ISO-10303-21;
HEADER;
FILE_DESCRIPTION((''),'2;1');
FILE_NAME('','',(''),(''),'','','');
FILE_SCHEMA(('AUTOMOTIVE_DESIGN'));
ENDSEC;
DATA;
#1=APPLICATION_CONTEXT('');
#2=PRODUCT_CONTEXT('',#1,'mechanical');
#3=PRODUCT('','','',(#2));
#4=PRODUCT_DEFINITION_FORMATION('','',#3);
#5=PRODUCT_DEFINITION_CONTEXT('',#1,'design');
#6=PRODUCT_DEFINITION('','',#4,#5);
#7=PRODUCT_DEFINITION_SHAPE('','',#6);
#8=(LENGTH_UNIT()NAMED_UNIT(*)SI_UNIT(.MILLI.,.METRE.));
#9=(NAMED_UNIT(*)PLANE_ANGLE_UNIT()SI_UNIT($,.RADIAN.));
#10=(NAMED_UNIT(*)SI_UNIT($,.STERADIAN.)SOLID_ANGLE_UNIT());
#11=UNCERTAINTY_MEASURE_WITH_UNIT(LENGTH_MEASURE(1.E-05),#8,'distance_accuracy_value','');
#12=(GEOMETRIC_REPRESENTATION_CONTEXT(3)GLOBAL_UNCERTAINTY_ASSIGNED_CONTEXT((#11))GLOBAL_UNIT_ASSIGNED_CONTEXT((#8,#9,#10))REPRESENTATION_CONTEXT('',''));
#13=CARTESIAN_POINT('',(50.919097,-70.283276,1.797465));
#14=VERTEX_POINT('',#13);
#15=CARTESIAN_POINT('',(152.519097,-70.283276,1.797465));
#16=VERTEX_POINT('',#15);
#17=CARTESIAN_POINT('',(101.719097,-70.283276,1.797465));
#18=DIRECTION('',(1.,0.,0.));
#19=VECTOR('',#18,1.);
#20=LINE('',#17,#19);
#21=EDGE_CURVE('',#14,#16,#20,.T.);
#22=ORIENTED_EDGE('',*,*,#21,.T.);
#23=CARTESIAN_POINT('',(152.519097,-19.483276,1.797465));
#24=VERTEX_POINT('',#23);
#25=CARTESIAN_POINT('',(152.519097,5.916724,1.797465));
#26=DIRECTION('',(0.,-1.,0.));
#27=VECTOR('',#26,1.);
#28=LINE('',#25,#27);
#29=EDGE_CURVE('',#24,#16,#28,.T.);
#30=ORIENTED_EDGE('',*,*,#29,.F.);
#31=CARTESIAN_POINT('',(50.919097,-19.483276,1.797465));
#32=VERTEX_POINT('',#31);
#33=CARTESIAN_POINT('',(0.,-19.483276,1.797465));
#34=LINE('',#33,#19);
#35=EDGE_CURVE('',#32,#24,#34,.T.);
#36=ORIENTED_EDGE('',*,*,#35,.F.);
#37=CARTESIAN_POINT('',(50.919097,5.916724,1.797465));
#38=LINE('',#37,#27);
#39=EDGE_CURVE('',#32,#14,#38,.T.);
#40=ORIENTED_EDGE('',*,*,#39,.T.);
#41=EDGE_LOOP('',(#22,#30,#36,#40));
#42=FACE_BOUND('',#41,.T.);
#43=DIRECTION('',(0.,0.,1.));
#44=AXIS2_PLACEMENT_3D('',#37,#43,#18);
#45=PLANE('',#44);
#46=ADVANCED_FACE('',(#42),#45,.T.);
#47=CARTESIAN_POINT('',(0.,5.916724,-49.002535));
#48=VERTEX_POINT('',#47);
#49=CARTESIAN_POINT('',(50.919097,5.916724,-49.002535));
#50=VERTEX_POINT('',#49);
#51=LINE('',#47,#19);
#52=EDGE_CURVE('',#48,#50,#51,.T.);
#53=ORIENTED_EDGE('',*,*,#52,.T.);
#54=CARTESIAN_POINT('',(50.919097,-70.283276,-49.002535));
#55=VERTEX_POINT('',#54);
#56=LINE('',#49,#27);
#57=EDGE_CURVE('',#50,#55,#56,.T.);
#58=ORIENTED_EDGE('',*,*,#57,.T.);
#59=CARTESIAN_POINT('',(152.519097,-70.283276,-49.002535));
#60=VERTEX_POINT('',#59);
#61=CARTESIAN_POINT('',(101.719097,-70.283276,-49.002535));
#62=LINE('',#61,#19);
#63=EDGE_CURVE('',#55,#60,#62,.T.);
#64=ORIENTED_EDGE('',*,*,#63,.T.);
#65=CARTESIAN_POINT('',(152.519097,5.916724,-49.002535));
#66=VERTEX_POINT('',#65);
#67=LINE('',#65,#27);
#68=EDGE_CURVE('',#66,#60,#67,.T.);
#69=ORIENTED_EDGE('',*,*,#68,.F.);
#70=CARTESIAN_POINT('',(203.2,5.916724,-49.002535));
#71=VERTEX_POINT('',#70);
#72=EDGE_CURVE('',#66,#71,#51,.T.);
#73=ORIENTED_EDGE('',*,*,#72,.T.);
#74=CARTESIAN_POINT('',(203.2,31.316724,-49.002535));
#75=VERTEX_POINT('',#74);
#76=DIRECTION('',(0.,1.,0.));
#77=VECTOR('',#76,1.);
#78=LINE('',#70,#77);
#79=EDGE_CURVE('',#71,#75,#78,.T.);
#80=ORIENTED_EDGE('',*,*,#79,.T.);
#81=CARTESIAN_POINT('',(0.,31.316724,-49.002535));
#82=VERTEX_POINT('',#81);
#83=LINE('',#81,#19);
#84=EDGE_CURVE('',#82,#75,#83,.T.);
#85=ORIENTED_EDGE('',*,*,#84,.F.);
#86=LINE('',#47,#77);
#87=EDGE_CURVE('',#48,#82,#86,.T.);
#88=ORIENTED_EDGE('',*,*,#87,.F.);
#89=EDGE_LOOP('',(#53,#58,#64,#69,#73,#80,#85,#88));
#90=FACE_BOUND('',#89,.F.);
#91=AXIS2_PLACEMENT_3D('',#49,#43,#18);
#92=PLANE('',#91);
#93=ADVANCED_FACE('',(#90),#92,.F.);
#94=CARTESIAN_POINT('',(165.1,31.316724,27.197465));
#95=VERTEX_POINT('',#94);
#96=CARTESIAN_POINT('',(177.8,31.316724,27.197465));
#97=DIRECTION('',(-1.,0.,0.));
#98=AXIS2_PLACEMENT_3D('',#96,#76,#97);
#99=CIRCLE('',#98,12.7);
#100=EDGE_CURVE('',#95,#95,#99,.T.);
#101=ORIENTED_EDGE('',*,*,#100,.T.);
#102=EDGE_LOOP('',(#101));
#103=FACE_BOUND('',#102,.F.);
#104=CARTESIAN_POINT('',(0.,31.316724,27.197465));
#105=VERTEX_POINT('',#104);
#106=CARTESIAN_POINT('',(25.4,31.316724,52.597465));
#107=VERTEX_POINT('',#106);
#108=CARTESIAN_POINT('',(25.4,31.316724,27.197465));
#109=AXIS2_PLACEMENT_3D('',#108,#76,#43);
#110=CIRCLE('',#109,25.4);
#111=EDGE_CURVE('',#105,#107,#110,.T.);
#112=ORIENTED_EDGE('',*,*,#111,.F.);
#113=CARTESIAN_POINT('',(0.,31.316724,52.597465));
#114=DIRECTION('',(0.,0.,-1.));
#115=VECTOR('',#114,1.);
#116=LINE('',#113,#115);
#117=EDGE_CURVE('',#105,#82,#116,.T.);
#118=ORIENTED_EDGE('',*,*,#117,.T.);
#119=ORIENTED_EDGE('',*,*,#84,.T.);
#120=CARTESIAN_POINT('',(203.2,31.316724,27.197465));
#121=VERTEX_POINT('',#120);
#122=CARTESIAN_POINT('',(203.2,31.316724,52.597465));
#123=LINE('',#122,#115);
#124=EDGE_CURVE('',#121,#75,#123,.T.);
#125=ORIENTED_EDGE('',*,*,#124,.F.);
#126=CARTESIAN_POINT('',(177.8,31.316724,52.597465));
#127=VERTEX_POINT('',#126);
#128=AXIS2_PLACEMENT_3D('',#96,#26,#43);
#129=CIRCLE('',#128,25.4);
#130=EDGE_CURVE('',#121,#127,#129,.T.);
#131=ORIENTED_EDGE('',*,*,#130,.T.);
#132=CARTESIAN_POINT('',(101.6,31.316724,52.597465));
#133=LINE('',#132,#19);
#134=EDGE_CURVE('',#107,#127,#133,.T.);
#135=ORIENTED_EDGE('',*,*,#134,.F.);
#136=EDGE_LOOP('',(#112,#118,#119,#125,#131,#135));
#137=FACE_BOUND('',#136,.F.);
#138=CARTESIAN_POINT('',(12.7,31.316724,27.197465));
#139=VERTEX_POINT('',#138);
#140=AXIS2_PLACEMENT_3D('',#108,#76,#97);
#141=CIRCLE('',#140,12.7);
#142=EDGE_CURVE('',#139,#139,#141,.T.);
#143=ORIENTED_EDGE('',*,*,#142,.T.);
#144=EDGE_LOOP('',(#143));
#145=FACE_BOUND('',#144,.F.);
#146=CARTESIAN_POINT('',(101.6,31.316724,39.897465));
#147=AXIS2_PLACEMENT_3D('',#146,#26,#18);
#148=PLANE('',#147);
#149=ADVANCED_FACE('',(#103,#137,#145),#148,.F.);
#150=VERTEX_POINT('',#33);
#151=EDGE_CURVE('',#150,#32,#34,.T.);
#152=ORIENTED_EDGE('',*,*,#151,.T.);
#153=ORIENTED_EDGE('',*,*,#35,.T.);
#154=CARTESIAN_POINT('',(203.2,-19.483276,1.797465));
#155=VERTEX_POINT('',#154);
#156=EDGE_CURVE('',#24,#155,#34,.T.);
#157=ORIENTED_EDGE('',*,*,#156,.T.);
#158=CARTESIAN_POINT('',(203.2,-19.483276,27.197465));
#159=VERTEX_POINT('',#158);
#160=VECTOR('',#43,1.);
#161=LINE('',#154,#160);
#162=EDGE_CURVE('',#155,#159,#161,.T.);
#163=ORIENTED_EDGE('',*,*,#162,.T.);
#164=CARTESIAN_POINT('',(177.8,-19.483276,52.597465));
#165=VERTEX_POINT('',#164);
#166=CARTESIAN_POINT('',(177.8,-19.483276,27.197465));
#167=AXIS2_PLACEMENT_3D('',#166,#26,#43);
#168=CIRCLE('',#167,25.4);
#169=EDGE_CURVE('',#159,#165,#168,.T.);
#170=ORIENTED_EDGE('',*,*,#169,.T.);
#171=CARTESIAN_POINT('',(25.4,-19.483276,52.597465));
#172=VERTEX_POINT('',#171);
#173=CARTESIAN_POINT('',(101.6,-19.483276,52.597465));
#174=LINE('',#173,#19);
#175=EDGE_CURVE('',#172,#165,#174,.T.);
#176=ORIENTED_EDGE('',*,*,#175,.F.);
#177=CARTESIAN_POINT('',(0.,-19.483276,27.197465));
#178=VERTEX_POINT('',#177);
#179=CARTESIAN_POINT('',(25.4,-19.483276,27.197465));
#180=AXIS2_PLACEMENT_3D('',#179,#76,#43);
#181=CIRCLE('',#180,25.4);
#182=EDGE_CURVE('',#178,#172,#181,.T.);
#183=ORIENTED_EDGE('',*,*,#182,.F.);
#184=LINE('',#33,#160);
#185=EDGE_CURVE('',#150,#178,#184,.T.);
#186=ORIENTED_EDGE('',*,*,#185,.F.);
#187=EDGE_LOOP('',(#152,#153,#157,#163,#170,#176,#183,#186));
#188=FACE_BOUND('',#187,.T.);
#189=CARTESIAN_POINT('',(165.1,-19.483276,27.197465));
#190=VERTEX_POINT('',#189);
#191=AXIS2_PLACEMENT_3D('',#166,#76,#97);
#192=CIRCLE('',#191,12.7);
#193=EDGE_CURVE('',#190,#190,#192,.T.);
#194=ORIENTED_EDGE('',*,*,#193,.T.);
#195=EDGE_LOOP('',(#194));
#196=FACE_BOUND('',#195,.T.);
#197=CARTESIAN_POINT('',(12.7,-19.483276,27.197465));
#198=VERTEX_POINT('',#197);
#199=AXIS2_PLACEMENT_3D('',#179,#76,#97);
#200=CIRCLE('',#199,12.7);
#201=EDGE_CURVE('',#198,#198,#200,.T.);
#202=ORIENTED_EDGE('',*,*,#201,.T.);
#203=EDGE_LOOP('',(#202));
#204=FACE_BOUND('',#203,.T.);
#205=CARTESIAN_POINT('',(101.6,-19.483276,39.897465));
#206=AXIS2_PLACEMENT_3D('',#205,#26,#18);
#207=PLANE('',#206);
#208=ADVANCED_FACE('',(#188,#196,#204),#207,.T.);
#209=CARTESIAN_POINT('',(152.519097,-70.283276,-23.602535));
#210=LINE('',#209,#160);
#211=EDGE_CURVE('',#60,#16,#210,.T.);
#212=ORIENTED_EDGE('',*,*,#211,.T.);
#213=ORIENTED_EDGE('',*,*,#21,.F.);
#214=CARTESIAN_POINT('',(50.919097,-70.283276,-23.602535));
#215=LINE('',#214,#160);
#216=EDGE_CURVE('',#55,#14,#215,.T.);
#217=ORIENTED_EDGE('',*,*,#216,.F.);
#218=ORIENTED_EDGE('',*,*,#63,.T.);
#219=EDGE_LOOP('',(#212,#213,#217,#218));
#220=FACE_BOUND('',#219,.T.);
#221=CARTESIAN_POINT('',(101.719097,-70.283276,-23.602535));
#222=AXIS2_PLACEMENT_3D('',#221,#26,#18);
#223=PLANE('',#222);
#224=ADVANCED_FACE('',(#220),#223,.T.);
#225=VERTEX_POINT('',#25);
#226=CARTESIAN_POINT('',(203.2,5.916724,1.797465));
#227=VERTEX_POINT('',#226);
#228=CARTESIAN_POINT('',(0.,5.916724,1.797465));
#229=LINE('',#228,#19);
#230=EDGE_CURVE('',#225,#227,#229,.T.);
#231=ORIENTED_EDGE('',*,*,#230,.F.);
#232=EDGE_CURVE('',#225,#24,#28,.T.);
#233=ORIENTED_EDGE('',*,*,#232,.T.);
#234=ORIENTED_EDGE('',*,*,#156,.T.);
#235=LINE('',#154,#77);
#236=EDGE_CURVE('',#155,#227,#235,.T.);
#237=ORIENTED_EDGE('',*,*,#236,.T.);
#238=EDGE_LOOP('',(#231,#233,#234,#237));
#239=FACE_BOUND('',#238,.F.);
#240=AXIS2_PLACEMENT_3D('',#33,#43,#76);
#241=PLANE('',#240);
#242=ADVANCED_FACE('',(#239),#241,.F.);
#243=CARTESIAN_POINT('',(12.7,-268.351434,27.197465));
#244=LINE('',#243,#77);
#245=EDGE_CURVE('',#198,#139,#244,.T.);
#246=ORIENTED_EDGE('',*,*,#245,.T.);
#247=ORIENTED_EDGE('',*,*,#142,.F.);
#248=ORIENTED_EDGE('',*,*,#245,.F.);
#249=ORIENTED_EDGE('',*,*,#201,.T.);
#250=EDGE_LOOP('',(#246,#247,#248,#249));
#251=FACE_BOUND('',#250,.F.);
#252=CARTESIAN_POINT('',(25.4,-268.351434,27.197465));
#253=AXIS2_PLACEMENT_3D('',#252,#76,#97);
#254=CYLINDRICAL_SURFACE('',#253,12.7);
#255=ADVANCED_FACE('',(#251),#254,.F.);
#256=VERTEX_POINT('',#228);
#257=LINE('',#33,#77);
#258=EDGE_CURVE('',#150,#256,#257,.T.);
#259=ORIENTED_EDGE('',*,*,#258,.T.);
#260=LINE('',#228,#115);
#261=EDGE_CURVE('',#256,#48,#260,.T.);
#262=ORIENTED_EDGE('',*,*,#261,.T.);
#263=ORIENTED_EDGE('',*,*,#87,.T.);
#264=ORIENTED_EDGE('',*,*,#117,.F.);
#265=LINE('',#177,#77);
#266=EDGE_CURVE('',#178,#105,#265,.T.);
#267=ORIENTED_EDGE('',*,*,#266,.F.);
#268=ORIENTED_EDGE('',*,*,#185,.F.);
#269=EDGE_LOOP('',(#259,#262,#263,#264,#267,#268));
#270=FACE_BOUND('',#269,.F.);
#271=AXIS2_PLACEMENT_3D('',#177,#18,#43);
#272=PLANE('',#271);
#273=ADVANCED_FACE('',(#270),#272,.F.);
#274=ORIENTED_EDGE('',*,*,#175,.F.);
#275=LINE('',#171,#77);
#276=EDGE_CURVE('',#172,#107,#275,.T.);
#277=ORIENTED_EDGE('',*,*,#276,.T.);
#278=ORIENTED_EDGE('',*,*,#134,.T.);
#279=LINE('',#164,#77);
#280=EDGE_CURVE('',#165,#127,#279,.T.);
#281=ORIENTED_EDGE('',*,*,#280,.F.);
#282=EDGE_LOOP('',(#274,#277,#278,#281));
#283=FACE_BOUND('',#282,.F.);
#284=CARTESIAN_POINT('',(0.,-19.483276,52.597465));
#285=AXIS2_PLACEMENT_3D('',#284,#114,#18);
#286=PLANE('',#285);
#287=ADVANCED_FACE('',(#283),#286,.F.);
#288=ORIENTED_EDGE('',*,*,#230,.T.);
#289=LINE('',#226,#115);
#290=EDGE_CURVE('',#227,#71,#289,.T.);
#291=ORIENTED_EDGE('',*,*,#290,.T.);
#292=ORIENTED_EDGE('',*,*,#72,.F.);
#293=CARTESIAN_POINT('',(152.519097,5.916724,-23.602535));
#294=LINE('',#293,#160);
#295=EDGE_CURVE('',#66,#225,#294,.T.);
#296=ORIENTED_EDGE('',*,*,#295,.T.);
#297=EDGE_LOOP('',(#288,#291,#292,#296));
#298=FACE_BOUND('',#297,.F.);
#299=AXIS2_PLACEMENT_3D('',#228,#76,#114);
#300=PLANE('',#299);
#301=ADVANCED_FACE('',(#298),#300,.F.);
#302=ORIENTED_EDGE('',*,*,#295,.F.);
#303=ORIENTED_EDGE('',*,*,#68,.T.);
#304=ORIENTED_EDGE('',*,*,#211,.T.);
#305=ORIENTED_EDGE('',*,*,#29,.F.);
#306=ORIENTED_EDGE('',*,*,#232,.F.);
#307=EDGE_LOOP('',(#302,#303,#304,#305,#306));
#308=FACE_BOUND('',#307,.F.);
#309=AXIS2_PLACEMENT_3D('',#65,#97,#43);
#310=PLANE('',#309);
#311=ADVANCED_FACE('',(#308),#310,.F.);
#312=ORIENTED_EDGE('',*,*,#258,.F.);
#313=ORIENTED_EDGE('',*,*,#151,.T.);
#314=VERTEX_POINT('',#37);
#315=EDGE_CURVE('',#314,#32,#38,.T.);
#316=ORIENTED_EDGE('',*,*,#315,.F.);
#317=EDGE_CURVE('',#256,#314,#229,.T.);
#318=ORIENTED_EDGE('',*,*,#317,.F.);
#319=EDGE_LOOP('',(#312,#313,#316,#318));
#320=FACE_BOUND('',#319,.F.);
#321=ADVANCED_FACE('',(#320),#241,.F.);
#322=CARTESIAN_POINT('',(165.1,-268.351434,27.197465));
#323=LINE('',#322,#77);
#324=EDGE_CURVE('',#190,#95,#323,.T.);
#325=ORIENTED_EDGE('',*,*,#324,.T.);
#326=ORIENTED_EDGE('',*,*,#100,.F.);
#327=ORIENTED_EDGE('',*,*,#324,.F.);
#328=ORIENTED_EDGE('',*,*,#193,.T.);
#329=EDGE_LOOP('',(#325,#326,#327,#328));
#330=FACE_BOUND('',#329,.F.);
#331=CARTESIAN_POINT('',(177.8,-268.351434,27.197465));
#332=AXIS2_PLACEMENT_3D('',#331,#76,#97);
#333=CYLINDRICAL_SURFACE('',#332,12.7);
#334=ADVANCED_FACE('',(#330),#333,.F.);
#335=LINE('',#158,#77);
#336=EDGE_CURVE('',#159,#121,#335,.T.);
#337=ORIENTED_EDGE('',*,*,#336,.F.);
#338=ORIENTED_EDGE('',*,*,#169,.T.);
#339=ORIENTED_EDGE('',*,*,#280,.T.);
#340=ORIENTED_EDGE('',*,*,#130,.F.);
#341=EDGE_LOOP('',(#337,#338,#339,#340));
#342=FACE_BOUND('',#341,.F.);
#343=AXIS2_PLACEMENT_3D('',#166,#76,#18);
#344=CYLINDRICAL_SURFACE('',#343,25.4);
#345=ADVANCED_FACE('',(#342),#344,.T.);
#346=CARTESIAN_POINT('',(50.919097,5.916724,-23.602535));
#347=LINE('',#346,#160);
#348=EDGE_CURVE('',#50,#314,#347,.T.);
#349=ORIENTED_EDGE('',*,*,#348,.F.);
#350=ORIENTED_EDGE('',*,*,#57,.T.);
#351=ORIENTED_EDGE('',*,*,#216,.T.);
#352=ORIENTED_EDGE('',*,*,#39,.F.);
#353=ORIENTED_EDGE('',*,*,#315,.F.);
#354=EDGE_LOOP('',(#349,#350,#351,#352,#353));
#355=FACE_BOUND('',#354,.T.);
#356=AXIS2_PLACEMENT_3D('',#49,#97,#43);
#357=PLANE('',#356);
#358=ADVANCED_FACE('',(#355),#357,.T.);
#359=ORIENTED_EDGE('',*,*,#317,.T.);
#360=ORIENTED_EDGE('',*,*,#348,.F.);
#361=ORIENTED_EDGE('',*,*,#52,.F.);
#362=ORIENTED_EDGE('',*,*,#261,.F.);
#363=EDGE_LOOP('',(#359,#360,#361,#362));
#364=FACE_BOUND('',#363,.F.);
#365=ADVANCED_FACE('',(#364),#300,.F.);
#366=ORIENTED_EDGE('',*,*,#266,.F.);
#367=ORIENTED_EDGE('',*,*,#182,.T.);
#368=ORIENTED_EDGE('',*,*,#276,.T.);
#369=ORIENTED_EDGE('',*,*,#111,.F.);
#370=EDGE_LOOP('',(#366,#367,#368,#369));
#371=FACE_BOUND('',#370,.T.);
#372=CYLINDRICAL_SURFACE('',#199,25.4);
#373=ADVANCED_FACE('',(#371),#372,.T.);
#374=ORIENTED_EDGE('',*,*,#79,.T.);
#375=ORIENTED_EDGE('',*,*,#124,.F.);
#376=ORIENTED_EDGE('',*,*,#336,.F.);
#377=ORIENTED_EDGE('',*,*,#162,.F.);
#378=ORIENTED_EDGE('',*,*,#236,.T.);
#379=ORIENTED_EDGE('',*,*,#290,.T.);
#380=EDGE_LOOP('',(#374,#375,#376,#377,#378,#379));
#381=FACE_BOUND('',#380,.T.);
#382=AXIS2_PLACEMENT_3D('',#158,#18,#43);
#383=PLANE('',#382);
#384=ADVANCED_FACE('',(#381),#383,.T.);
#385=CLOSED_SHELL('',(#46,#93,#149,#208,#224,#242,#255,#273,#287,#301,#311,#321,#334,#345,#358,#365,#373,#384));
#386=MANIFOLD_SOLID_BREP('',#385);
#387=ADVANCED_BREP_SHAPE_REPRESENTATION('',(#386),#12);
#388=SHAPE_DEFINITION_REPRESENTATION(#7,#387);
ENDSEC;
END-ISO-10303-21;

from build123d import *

# Parameters (mm, degrees)
F1_DEPTH = 203.2
F2_W     = 101.6
F2_H     = 50.8
F3_DEPTH = 76.2
F4_W     = 203.2
F4_H     = 25.4
F5_DEPTH = 50.8
F6_R     = 25.4
F9_D     = 25.4


with BuildPart() as f1:
    # F0 (on Right) → F1 (new body)
    with BuildSketch(Plane.YZ):
        Polygon((31.316724, 27.197465), (-19.483276, 27.197465), (-19.483276, 1.797465), (5.916724, 1.797465), (5.916724, -49.002535), (31.316724, -49.002535), align=None)
    extrude(amount=F1_DEPTH)

    # F2 (on face) → F3 (join)
    with BuildSketch(Plane.XZ.offset(-5.916724)):
        with Locations((101.719097, -23.602535)):
            Rectangle(F2_W, F2_H)
    extrude(amount=F3_DEPTH)

    # F4 (on face) → F5 (join)
    with BuildSketch(Plane.XZ.offset(19.483276)):
        with Locations((101.6, 39.897465)):
            Rectangle(F4_W, F4_H)
    extrude(amount=-F5_DEPTH)

    # F6
    f6_edges = [f1.edges().sort_by_distance(p)[0] for p in [
        (0, 5.916724, 52.597465),
        (203.2, 5.916724, 52.597465),
    ]]
    fillet(f6_edges, radius=F6_R)

    # F9 (through all)
    with Locations(Plane.XZ.offset(19.483276)):
        with Locations((25.4, 27.197465), (177.8, 27.197465)):
            Hole(F9_D / 2)


solid = f1.part
